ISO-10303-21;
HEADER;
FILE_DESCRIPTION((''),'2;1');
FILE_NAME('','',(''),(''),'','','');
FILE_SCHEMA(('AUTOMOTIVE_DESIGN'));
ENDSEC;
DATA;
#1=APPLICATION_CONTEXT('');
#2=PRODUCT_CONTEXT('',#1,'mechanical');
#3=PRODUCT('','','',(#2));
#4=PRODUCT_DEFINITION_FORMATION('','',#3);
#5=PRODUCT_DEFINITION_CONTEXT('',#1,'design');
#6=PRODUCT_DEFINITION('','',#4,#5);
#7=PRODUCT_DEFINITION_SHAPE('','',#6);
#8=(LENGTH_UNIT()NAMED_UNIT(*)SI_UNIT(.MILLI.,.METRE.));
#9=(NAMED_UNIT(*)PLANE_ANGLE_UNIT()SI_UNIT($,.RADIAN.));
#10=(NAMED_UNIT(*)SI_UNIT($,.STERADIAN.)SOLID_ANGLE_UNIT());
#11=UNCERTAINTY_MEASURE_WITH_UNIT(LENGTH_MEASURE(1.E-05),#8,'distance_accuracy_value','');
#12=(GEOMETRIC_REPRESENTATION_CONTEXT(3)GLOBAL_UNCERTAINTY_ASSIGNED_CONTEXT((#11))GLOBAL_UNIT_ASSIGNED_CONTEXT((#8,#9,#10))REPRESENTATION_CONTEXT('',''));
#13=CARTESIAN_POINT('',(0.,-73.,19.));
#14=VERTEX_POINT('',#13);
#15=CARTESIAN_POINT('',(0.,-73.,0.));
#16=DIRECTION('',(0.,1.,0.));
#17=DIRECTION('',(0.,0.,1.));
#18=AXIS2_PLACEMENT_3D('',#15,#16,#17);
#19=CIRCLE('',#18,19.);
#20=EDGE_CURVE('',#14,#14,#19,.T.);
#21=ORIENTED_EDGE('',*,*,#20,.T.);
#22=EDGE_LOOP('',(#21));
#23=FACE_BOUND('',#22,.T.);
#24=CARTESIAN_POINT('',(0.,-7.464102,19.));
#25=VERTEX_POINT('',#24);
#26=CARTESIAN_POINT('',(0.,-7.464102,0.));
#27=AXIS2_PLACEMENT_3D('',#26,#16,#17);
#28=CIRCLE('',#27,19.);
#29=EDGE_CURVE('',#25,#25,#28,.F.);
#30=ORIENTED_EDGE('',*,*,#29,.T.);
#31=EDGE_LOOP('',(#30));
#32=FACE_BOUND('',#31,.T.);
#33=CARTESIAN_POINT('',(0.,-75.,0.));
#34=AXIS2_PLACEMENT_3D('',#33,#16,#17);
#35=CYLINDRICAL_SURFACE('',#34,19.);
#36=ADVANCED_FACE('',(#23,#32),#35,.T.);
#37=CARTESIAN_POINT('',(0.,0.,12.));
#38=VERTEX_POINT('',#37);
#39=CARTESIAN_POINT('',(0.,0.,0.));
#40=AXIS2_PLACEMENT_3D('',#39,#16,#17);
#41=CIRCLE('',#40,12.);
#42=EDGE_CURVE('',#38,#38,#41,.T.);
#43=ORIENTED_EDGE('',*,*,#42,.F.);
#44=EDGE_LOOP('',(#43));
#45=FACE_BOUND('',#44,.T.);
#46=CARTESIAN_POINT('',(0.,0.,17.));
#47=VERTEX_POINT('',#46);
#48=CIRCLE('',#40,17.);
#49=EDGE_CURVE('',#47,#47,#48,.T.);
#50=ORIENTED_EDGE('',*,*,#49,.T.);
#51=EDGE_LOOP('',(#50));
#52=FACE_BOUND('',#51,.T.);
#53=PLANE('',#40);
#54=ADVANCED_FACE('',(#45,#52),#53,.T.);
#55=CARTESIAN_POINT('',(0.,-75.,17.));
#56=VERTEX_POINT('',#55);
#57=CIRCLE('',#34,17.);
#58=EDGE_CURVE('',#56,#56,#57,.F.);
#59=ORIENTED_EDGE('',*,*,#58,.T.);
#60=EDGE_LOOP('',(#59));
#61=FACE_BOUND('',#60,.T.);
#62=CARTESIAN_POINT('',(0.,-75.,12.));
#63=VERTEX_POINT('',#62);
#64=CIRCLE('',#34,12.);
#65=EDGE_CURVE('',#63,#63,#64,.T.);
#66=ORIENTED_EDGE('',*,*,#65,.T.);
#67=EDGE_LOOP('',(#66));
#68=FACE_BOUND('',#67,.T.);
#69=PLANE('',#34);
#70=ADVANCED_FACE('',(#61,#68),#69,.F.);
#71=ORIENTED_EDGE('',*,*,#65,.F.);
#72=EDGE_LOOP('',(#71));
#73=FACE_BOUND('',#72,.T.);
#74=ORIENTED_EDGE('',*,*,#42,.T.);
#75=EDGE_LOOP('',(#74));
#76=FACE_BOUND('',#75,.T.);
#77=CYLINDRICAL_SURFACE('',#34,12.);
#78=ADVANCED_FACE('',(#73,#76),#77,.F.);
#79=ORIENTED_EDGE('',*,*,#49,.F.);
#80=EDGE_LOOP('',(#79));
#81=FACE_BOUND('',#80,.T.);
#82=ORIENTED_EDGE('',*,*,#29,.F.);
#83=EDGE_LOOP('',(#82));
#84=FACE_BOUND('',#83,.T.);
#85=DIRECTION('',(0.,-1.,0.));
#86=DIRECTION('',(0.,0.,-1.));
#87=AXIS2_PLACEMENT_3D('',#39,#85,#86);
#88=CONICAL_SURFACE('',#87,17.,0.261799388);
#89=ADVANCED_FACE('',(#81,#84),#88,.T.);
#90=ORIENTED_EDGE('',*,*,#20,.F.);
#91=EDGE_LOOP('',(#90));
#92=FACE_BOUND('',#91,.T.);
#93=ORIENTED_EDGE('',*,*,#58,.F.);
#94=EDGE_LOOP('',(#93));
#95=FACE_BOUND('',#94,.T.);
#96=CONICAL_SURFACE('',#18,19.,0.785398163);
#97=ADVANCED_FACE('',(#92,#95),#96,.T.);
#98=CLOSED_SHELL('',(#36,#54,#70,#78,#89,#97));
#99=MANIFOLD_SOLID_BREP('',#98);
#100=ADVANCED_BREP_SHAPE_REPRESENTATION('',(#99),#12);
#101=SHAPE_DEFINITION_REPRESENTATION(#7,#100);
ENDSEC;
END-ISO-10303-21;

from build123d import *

# Parameters (mm, degrees)
SKETCH1_R           = 19
SKETCH1_R_2         = 12
BOSS_EXTRUDE1_DEPTH = 75
CHAMFER1_SIZE       = 2
CHAMFER1_SIZE2      = 7.464101615
CHAMFER2_SIZE       = 2


with BuildPart() as part:
    # Sketch1 → Boss-Extrude1 (new body)
    with BuildSketch(Plane(origin=(0, 0, 0), x_dir=(1, 0, 0), z_dir=(0, 1, 0))):
        with Locations(Location((0, 0, 0), (0, 0, 270))):
            Circle(SKETCH1_R)
        with Locations(Location((0, 0, 0), (0, 0, 270))):
            Circle(SKETCH1_R_2, mode=Mode.SUBTRACT)
    extrude(amount=-BOSS_EXTRUDE1_DEPTH)

    # Chamfer1
    chamfer1_edges = [part.edges().sort_by_distance(p)[0] for p in [
        (0, 0, -19),
    ]]
    chamfer1_side = [part.faces().sort_by_distance(p)[0] for p in [
        (0, 0, -18.462598846),
    ]]
    chamfer(chamfer1_edges, length=CHAMFER1_SIZE, length2=CHAMFER1_SIZE2, reference=chamfer1_side[0])

    # Chamfer2
    chamfer2_edges = [part.edges().sort_by_distance(p)[0] for p in [
        (0, -75, -19),
    ]]
    chamfer(chamfer2_edges, length=CHAMFER2_SIZE)


solid = part.part
